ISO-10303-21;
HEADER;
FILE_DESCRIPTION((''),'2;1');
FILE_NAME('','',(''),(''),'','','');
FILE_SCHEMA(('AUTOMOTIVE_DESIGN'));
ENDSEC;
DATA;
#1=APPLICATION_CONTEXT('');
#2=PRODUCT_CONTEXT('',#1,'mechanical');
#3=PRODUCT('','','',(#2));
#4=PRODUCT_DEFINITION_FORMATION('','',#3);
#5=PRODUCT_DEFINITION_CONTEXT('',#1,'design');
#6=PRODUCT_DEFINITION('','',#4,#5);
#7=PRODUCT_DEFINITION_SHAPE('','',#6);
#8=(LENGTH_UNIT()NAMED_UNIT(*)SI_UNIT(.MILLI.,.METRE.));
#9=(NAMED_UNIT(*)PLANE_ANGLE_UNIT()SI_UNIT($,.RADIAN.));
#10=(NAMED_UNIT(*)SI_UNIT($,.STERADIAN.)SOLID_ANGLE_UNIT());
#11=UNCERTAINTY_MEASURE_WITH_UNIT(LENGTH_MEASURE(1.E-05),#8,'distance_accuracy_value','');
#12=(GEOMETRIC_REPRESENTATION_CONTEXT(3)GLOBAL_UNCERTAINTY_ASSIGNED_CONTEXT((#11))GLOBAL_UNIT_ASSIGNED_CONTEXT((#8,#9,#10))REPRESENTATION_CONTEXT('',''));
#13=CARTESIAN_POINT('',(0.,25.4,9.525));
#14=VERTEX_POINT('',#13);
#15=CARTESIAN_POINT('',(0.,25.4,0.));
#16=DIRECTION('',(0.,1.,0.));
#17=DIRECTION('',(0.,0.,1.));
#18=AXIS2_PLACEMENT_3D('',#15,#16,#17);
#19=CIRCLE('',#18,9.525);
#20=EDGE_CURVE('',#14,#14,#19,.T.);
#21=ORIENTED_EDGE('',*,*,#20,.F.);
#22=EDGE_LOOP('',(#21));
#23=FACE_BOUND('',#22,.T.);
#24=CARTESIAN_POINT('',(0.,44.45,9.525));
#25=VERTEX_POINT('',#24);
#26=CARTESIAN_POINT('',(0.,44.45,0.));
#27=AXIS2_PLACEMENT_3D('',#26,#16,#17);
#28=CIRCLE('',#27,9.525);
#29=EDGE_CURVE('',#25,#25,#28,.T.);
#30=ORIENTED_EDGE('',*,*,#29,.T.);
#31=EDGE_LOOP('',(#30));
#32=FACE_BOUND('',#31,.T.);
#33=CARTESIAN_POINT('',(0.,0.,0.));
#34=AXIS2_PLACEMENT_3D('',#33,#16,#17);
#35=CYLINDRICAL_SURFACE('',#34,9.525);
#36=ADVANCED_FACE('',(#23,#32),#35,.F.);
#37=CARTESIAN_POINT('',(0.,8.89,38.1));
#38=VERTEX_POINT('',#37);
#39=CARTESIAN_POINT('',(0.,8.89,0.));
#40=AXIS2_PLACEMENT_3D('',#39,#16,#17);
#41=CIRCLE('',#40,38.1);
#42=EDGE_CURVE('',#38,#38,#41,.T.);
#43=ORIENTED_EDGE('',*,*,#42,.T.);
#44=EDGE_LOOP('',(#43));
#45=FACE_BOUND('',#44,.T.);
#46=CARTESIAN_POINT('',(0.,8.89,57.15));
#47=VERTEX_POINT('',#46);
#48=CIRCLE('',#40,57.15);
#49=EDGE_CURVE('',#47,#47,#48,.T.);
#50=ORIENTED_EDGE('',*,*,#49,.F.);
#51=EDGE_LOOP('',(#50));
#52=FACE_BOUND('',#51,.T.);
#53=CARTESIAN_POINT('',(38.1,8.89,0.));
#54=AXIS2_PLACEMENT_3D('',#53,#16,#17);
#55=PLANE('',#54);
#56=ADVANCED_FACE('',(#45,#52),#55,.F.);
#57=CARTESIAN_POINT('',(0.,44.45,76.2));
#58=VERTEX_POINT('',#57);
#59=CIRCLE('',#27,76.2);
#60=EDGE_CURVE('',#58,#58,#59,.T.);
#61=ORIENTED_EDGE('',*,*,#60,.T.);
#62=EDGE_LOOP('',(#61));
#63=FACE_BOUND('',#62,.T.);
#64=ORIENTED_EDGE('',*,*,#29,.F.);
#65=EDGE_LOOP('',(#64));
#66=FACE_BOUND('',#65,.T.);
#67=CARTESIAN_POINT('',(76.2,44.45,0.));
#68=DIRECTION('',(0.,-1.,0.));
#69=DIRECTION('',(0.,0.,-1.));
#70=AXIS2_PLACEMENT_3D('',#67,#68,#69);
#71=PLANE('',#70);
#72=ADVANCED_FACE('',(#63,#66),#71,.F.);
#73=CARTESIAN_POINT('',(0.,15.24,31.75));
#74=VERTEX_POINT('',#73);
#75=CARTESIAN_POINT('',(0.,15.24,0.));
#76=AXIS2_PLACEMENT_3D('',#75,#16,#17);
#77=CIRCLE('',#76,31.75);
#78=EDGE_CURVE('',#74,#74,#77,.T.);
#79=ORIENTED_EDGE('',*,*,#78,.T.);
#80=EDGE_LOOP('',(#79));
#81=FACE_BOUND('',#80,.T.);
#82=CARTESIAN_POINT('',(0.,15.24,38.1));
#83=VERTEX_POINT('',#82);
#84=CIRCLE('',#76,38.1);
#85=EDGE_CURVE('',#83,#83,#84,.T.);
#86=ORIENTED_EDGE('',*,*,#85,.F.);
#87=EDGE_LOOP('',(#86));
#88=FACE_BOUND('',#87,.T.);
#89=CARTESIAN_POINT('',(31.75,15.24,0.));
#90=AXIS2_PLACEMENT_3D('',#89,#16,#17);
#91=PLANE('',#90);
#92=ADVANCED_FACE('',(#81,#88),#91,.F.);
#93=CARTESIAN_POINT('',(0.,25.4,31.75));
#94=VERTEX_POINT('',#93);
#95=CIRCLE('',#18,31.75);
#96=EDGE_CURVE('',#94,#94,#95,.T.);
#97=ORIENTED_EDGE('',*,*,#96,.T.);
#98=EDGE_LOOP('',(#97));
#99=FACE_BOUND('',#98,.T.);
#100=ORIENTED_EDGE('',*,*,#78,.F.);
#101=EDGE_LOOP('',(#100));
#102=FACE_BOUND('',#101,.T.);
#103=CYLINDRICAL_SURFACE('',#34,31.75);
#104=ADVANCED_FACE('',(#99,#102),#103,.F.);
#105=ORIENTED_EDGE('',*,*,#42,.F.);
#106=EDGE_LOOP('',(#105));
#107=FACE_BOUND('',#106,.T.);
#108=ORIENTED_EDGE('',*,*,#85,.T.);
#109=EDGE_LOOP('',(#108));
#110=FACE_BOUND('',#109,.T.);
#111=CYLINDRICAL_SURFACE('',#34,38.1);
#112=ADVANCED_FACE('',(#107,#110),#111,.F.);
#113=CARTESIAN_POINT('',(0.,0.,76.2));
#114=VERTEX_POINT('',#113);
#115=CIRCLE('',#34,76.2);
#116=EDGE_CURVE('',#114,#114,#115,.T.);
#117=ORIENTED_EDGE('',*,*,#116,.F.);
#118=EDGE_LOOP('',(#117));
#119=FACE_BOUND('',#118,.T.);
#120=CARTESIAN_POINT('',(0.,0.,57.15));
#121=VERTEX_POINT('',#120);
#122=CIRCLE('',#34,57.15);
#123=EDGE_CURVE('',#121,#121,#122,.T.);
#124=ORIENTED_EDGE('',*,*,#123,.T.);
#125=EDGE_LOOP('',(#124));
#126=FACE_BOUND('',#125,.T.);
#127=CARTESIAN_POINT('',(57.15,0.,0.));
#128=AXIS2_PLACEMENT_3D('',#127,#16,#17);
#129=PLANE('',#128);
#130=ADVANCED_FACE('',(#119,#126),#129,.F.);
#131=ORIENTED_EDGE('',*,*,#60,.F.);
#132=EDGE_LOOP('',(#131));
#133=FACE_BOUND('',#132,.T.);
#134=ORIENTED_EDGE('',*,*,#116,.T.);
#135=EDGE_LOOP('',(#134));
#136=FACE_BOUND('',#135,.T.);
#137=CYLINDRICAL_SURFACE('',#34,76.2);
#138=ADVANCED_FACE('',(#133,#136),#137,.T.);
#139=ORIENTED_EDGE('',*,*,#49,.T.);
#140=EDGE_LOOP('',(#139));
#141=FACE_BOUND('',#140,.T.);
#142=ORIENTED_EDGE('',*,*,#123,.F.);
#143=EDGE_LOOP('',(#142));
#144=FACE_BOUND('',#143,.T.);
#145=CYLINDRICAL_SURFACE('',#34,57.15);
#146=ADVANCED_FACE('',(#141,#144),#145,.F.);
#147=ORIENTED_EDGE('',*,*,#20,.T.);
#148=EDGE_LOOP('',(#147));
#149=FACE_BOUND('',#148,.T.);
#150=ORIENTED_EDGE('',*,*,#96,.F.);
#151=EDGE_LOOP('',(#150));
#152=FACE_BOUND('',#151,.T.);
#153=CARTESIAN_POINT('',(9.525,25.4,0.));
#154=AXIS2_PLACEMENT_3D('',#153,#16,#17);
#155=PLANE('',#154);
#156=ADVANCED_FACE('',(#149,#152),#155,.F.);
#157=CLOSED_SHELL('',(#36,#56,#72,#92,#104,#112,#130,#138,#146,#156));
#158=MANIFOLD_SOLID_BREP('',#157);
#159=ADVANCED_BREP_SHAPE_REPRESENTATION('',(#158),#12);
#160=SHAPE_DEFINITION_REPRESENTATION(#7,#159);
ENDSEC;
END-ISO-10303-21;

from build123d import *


with BuildPart() as part:
    # Main Shape Profile → Main Shape (revolve)
    with BuildSketch(Plane.XY, mode=Mode.PRIVATE) as main_shape_sk:
        Polygon((9.525, 44.45), (9.525, 25.4), (31.75, 25.4), (31.75, 15.24), (38.1, 15.24), (38.1, 8.89), (57.15, 8.89), (57.15, 0), (76.2, 0), (76.2, 44.45), align=None)
    revolve(main_shape_sk.sketch.rotate(Axis((0, 0, 0), (0, -1, 0)), 90), axis=Axis((0, 0, 0), (0, -1, 0)))


solid = part.part
